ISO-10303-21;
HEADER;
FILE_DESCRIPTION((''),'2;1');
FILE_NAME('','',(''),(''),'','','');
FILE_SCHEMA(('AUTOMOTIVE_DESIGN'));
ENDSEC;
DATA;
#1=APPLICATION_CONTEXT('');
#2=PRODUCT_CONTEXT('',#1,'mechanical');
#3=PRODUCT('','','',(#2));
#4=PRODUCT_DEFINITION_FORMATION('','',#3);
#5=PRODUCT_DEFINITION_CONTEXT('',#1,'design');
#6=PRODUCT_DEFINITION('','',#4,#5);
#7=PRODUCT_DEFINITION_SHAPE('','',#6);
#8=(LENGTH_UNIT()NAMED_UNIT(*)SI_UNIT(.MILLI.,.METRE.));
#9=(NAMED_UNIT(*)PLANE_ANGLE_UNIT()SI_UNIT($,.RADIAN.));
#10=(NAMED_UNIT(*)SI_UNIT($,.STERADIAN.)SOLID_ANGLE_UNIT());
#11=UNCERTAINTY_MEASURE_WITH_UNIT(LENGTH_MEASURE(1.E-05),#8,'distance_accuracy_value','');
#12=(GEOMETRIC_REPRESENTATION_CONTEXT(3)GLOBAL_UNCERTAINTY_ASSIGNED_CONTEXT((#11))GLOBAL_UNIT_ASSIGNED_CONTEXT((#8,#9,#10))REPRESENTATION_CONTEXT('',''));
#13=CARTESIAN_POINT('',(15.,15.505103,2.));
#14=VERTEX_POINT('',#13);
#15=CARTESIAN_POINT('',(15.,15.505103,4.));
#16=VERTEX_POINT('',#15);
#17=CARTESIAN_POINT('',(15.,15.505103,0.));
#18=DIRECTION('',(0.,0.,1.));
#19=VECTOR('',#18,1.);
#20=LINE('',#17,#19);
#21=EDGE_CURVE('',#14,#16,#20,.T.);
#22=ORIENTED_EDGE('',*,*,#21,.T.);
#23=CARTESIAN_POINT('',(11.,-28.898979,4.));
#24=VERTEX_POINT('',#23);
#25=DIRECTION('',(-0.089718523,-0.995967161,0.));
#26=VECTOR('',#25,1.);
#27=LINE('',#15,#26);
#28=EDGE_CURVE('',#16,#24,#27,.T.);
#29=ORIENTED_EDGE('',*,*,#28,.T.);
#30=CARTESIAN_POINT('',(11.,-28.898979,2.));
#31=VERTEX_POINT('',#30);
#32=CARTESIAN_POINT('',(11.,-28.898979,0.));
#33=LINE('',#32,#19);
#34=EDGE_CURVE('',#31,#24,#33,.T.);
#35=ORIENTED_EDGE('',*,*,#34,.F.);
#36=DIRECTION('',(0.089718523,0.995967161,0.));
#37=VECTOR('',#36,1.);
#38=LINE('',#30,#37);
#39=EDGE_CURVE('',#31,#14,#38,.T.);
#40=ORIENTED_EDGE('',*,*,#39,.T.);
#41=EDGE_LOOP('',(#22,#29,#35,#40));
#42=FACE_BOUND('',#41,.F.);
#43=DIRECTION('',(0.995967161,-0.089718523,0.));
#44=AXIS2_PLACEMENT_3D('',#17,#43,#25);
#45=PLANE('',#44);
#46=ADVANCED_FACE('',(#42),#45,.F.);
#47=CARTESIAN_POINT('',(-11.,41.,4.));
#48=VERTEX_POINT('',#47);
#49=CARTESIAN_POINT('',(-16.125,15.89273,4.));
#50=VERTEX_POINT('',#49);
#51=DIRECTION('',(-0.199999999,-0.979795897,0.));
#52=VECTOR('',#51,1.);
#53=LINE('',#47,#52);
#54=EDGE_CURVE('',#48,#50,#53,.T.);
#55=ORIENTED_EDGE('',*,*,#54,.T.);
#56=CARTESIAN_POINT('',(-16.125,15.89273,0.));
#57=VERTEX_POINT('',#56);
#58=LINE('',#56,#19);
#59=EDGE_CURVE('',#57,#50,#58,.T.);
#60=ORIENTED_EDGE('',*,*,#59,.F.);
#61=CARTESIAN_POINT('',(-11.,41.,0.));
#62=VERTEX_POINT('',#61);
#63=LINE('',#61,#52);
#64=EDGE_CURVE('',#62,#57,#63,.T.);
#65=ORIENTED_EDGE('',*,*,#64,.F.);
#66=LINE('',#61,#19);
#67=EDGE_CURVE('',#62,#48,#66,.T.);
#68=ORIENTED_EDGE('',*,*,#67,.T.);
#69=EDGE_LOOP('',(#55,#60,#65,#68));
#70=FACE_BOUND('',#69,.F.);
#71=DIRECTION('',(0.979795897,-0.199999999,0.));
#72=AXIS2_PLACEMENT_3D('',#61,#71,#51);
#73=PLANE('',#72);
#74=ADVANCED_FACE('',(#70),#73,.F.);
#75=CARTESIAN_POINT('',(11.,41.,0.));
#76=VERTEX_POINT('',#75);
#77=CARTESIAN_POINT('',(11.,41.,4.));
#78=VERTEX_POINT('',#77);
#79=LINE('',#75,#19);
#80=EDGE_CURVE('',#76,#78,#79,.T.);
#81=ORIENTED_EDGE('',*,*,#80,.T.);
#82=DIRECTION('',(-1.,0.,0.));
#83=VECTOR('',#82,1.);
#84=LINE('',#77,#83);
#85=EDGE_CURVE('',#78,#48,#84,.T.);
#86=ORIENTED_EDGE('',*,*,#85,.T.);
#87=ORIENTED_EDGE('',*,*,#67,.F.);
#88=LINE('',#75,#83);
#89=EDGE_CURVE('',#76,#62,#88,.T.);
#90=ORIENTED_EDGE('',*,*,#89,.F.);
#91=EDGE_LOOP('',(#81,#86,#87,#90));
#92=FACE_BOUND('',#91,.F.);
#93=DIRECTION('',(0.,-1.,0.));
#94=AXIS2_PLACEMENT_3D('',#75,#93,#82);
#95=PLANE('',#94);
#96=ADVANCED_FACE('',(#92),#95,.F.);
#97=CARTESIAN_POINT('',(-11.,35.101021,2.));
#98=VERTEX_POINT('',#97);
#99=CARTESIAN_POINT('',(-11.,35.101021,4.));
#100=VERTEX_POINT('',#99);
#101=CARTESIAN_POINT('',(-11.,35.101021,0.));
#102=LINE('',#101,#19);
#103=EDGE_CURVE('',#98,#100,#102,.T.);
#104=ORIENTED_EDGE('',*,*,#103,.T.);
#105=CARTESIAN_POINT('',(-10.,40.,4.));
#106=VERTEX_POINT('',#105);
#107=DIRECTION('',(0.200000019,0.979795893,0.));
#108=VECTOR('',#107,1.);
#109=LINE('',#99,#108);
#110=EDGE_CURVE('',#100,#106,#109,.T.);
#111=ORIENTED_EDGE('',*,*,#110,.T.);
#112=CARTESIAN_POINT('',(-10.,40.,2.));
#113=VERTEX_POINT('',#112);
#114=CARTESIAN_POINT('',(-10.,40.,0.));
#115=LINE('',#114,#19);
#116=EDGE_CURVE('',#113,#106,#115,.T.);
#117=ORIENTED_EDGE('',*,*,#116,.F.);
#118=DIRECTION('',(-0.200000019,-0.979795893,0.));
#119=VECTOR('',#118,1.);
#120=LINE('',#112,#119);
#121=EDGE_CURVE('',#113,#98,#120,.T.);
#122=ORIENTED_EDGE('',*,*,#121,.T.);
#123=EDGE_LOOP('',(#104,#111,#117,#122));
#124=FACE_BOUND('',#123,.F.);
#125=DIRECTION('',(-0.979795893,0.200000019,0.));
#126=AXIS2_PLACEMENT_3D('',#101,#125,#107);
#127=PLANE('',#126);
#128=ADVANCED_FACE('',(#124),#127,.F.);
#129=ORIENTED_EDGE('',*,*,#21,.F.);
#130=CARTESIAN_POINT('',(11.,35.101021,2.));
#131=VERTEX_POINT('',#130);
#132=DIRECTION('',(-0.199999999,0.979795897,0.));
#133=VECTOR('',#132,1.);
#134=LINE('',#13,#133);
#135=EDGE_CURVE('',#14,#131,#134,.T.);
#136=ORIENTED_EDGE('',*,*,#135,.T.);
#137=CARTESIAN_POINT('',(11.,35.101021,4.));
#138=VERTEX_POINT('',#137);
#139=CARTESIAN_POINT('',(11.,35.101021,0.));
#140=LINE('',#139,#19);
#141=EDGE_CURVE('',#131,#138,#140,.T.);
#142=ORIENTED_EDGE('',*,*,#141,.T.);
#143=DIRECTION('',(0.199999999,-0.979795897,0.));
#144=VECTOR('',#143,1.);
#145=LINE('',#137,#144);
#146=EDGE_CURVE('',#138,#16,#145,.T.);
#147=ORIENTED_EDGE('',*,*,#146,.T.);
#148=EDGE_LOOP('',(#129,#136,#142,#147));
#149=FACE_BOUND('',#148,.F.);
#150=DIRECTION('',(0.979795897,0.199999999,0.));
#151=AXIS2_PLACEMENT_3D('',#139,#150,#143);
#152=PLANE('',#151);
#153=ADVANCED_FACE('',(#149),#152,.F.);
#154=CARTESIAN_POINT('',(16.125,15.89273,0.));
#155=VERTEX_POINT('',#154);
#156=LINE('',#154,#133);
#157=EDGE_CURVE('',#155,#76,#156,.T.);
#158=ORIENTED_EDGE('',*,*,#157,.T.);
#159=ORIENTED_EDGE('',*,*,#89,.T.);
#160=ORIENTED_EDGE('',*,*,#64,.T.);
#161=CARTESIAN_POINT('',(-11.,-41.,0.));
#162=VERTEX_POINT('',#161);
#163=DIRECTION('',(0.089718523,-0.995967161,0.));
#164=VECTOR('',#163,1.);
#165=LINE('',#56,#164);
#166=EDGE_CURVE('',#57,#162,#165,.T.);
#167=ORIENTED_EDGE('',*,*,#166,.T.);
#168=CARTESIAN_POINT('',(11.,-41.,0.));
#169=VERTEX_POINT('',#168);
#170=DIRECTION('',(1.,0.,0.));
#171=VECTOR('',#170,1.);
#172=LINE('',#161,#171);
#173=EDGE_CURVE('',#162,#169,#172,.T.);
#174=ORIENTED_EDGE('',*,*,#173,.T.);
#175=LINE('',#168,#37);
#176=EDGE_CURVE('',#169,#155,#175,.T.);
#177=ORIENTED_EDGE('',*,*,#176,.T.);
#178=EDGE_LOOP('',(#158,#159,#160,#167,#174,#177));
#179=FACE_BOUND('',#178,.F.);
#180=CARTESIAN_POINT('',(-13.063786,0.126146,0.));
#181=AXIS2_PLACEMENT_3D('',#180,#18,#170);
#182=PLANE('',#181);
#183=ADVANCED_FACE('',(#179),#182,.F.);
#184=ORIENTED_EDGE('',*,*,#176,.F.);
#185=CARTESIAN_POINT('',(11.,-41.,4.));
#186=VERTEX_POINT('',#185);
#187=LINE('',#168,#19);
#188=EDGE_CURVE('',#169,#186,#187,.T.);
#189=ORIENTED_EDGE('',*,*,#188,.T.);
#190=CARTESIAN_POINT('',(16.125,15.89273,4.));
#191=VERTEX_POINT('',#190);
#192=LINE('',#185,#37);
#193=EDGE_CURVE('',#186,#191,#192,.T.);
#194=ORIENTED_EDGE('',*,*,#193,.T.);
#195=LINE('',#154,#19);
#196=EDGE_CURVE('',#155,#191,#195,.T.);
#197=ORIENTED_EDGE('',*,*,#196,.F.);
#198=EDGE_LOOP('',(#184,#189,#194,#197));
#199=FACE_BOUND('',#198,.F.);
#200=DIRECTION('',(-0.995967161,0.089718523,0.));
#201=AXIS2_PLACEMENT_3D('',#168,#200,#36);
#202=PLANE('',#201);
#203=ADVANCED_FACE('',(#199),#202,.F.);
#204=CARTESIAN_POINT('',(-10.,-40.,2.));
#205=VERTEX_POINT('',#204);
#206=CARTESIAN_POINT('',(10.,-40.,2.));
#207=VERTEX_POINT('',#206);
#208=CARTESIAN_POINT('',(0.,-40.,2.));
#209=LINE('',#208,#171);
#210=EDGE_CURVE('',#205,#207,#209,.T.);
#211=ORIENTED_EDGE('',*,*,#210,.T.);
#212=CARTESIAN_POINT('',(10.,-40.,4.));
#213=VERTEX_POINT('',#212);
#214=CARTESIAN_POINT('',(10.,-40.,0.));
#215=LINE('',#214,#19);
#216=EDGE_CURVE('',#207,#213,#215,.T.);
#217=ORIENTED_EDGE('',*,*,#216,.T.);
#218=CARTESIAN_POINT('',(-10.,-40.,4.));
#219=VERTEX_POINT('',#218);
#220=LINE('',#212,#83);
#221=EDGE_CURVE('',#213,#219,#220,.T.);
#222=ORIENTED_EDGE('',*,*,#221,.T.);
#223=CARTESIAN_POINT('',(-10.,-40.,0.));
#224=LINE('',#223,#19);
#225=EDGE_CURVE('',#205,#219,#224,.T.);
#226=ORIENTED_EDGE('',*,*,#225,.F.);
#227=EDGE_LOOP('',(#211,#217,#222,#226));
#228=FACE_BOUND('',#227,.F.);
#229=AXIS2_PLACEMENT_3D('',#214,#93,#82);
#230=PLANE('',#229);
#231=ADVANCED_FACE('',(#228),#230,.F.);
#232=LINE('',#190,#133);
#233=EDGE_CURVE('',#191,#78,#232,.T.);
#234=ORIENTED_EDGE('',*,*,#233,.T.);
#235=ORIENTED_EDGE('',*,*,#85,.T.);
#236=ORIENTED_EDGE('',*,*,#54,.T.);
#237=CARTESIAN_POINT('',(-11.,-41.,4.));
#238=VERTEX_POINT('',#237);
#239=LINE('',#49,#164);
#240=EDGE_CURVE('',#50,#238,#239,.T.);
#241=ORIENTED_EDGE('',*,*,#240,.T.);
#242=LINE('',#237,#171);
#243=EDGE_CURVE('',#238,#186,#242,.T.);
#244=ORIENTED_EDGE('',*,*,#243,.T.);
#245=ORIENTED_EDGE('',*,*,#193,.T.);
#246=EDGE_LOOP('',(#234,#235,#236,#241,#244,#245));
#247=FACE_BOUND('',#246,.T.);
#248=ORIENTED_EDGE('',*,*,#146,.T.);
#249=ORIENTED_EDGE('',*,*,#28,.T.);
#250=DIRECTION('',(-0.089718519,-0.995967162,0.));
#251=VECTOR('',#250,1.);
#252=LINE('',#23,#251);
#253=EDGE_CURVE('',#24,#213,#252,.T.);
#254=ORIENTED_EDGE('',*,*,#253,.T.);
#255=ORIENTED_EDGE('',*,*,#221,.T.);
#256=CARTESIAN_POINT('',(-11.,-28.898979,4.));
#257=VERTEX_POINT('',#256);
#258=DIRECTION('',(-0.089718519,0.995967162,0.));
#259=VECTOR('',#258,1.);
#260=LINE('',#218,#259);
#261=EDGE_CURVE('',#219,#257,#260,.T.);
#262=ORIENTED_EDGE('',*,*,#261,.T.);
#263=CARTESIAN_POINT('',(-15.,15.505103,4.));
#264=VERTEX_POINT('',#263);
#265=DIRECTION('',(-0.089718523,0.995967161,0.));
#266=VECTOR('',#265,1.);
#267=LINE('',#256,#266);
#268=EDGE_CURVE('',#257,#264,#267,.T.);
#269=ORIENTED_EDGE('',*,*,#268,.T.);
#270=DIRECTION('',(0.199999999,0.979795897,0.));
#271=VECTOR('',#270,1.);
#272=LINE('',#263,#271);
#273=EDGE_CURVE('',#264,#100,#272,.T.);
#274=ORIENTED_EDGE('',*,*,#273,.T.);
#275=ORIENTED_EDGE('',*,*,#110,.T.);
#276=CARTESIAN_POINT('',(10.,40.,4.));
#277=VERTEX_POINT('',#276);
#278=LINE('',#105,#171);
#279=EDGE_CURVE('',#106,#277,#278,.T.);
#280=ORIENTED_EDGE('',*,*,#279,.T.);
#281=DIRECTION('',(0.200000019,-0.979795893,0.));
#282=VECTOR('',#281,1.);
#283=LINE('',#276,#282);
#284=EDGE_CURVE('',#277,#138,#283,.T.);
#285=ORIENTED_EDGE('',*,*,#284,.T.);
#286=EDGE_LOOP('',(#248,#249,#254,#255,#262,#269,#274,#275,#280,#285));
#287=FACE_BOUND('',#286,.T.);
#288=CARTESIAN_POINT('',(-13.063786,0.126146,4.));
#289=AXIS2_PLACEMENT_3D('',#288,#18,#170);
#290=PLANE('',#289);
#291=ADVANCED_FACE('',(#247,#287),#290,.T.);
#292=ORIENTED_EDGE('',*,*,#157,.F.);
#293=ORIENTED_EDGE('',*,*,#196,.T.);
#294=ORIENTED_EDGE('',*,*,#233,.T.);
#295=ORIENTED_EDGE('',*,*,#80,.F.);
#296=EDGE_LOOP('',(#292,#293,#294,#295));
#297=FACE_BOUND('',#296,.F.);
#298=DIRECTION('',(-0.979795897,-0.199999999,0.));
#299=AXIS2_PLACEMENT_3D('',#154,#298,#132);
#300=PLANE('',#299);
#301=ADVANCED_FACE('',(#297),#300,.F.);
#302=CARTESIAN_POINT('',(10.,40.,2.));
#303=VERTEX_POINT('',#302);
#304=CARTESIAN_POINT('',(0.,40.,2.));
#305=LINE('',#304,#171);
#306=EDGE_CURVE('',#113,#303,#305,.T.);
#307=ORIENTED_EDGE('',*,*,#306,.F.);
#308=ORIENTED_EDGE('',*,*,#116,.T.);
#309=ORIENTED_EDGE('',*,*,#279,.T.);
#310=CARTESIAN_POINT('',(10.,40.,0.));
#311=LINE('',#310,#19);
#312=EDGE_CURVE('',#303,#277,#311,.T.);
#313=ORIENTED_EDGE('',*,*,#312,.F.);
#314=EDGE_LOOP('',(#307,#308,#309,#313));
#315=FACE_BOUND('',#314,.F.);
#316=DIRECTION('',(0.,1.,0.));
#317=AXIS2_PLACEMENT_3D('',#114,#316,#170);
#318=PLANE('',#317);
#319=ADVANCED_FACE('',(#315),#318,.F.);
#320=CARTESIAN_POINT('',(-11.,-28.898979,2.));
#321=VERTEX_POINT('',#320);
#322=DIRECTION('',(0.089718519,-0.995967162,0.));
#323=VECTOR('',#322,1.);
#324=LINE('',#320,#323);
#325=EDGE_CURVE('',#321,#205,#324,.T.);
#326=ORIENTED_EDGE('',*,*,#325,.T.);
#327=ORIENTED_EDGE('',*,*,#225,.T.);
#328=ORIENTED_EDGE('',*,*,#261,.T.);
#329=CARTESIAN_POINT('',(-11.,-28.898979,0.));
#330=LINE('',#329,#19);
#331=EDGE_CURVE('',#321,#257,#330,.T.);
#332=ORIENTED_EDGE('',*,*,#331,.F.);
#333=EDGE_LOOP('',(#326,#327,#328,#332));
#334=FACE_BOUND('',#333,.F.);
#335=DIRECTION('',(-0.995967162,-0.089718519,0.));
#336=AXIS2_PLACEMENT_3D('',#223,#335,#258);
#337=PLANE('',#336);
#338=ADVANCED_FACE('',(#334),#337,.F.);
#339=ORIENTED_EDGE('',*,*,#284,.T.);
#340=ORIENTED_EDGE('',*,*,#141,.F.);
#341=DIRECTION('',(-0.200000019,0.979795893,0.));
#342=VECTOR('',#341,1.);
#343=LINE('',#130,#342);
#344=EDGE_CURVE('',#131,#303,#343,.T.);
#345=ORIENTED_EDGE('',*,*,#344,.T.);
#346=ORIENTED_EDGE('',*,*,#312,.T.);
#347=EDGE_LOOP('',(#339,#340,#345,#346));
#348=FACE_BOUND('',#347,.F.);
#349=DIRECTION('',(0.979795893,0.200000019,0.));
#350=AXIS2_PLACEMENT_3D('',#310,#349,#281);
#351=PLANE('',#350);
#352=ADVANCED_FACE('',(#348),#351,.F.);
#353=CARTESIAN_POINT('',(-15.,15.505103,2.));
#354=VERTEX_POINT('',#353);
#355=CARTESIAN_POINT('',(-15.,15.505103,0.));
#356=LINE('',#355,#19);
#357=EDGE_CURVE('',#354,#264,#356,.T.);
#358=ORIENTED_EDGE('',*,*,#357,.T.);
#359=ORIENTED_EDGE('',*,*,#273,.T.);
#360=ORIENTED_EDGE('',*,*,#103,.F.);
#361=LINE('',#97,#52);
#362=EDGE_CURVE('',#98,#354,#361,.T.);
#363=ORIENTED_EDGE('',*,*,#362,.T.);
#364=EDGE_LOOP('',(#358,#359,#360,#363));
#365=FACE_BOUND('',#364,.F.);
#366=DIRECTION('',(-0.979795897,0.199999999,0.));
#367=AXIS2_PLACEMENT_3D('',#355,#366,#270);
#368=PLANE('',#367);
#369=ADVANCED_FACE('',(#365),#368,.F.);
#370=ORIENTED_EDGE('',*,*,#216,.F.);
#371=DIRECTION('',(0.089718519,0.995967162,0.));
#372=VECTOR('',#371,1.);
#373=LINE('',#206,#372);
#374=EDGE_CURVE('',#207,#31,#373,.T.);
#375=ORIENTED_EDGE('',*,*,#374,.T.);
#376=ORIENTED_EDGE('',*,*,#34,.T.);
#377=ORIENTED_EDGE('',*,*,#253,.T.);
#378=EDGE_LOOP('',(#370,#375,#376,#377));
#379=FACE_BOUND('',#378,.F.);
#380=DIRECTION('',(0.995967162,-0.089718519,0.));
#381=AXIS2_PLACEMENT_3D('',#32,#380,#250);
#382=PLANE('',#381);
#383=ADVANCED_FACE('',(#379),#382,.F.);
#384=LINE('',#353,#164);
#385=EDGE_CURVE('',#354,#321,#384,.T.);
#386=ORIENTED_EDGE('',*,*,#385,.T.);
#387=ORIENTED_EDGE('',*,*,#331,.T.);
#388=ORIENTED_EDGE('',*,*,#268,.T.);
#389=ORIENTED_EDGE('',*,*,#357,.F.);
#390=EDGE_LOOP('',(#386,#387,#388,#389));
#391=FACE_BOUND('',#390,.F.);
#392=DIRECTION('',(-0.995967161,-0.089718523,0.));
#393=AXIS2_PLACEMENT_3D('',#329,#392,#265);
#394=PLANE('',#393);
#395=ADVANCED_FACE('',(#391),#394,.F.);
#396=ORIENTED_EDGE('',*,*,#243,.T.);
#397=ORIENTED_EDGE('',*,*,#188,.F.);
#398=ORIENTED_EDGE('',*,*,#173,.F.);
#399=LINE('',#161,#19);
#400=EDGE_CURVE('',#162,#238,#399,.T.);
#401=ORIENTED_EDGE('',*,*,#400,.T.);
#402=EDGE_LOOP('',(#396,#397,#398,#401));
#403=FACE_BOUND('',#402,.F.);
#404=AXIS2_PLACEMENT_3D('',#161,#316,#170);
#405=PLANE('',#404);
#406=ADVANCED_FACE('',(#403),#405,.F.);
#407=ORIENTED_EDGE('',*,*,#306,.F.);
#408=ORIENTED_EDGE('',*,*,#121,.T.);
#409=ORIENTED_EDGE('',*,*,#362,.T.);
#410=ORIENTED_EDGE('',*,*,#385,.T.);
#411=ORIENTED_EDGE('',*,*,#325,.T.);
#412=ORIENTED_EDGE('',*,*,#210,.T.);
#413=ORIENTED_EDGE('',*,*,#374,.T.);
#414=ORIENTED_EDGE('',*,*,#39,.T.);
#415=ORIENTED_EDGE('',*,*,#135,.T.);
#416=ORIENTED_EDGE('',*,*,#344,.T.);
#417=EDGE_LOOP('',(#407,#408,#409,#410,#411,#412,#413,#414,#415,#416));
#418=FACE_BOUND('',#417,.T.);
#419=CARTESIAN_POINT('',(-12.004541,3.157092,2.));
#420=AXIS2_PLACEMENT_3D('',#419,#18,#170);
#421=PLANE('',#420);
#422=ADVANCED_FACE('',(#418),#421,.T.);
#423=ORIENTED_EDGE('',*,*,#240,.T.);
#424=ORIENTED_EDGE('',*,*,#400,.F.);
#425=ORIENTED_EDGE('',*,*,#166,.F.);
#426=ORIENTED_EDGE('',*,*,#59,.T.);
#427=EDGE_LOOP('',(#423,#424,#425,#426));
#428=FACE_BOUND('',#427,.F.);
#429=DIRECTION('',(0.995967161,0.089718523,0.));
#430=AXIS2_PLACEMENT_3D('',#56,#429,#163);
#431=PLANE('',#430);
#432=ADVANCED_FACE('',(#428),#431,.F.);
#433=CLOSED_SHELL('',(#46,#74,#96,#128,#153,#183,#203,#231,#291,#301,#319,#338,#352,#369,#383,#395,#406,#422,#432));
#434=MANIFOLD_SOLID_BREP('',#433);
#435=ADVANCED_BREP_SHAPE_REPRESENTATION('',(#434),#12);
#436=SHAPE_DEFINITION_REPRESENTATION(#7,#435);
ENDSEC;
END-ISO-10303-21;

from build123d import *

# Parameters (mm, degrees)
F0_W     = 20
F0_H     = 80
F1_DEPTH = 2
F2_DEPTH = 4


with BuildPart() as f1:
    # F0 (on Top) → F1 (new body)
    with BuildSketch(Plane.XY):
        Polygon((-11, -28.898979), (-11, 35.101021), (-15, 15.505103), align=None)
        Rectangle(F0_W, F0_H)
        Polygon((15, 15.505103), (11, 35.101021), (11, -28.898979), align=None)
        Polygon((11, 35.101021), (10, 40), (10, -40), (11, -28.898979), align=None)
        Polygon((-10, -40), (-10, 40), (-11, 35.101021), (-11, -28.898979), align=None)
    extrude(amount=F1_DEPTH)

    # F0 (on Top) → F2 (join)
    with BuildSketch(Plane.XY):
        Polygon((-15, 15.505103), (-11, 35.101021), (-11, 41), (-16.125, 15.89273), (-11, -41), (-11, -28.898979), align=None)
        Polygon((-10, 40), (10, 40), (11, 35.101021), (11, 41), (-11, 41), (-11, 35.101021), align=None)
        Polygon((11, 41), (11, 35.101021), (15, 15.505103), (11, -28.898979), (11, -41), (16.125, 15.89273), align=None)
        Polygon((11, -28.898979), (10, -40), (-10, -40), (-11, -28.898979), (-11, -41), (11, -41), align=None)
    extrude(amount=F2_DEPTH)


solid = f1.part
